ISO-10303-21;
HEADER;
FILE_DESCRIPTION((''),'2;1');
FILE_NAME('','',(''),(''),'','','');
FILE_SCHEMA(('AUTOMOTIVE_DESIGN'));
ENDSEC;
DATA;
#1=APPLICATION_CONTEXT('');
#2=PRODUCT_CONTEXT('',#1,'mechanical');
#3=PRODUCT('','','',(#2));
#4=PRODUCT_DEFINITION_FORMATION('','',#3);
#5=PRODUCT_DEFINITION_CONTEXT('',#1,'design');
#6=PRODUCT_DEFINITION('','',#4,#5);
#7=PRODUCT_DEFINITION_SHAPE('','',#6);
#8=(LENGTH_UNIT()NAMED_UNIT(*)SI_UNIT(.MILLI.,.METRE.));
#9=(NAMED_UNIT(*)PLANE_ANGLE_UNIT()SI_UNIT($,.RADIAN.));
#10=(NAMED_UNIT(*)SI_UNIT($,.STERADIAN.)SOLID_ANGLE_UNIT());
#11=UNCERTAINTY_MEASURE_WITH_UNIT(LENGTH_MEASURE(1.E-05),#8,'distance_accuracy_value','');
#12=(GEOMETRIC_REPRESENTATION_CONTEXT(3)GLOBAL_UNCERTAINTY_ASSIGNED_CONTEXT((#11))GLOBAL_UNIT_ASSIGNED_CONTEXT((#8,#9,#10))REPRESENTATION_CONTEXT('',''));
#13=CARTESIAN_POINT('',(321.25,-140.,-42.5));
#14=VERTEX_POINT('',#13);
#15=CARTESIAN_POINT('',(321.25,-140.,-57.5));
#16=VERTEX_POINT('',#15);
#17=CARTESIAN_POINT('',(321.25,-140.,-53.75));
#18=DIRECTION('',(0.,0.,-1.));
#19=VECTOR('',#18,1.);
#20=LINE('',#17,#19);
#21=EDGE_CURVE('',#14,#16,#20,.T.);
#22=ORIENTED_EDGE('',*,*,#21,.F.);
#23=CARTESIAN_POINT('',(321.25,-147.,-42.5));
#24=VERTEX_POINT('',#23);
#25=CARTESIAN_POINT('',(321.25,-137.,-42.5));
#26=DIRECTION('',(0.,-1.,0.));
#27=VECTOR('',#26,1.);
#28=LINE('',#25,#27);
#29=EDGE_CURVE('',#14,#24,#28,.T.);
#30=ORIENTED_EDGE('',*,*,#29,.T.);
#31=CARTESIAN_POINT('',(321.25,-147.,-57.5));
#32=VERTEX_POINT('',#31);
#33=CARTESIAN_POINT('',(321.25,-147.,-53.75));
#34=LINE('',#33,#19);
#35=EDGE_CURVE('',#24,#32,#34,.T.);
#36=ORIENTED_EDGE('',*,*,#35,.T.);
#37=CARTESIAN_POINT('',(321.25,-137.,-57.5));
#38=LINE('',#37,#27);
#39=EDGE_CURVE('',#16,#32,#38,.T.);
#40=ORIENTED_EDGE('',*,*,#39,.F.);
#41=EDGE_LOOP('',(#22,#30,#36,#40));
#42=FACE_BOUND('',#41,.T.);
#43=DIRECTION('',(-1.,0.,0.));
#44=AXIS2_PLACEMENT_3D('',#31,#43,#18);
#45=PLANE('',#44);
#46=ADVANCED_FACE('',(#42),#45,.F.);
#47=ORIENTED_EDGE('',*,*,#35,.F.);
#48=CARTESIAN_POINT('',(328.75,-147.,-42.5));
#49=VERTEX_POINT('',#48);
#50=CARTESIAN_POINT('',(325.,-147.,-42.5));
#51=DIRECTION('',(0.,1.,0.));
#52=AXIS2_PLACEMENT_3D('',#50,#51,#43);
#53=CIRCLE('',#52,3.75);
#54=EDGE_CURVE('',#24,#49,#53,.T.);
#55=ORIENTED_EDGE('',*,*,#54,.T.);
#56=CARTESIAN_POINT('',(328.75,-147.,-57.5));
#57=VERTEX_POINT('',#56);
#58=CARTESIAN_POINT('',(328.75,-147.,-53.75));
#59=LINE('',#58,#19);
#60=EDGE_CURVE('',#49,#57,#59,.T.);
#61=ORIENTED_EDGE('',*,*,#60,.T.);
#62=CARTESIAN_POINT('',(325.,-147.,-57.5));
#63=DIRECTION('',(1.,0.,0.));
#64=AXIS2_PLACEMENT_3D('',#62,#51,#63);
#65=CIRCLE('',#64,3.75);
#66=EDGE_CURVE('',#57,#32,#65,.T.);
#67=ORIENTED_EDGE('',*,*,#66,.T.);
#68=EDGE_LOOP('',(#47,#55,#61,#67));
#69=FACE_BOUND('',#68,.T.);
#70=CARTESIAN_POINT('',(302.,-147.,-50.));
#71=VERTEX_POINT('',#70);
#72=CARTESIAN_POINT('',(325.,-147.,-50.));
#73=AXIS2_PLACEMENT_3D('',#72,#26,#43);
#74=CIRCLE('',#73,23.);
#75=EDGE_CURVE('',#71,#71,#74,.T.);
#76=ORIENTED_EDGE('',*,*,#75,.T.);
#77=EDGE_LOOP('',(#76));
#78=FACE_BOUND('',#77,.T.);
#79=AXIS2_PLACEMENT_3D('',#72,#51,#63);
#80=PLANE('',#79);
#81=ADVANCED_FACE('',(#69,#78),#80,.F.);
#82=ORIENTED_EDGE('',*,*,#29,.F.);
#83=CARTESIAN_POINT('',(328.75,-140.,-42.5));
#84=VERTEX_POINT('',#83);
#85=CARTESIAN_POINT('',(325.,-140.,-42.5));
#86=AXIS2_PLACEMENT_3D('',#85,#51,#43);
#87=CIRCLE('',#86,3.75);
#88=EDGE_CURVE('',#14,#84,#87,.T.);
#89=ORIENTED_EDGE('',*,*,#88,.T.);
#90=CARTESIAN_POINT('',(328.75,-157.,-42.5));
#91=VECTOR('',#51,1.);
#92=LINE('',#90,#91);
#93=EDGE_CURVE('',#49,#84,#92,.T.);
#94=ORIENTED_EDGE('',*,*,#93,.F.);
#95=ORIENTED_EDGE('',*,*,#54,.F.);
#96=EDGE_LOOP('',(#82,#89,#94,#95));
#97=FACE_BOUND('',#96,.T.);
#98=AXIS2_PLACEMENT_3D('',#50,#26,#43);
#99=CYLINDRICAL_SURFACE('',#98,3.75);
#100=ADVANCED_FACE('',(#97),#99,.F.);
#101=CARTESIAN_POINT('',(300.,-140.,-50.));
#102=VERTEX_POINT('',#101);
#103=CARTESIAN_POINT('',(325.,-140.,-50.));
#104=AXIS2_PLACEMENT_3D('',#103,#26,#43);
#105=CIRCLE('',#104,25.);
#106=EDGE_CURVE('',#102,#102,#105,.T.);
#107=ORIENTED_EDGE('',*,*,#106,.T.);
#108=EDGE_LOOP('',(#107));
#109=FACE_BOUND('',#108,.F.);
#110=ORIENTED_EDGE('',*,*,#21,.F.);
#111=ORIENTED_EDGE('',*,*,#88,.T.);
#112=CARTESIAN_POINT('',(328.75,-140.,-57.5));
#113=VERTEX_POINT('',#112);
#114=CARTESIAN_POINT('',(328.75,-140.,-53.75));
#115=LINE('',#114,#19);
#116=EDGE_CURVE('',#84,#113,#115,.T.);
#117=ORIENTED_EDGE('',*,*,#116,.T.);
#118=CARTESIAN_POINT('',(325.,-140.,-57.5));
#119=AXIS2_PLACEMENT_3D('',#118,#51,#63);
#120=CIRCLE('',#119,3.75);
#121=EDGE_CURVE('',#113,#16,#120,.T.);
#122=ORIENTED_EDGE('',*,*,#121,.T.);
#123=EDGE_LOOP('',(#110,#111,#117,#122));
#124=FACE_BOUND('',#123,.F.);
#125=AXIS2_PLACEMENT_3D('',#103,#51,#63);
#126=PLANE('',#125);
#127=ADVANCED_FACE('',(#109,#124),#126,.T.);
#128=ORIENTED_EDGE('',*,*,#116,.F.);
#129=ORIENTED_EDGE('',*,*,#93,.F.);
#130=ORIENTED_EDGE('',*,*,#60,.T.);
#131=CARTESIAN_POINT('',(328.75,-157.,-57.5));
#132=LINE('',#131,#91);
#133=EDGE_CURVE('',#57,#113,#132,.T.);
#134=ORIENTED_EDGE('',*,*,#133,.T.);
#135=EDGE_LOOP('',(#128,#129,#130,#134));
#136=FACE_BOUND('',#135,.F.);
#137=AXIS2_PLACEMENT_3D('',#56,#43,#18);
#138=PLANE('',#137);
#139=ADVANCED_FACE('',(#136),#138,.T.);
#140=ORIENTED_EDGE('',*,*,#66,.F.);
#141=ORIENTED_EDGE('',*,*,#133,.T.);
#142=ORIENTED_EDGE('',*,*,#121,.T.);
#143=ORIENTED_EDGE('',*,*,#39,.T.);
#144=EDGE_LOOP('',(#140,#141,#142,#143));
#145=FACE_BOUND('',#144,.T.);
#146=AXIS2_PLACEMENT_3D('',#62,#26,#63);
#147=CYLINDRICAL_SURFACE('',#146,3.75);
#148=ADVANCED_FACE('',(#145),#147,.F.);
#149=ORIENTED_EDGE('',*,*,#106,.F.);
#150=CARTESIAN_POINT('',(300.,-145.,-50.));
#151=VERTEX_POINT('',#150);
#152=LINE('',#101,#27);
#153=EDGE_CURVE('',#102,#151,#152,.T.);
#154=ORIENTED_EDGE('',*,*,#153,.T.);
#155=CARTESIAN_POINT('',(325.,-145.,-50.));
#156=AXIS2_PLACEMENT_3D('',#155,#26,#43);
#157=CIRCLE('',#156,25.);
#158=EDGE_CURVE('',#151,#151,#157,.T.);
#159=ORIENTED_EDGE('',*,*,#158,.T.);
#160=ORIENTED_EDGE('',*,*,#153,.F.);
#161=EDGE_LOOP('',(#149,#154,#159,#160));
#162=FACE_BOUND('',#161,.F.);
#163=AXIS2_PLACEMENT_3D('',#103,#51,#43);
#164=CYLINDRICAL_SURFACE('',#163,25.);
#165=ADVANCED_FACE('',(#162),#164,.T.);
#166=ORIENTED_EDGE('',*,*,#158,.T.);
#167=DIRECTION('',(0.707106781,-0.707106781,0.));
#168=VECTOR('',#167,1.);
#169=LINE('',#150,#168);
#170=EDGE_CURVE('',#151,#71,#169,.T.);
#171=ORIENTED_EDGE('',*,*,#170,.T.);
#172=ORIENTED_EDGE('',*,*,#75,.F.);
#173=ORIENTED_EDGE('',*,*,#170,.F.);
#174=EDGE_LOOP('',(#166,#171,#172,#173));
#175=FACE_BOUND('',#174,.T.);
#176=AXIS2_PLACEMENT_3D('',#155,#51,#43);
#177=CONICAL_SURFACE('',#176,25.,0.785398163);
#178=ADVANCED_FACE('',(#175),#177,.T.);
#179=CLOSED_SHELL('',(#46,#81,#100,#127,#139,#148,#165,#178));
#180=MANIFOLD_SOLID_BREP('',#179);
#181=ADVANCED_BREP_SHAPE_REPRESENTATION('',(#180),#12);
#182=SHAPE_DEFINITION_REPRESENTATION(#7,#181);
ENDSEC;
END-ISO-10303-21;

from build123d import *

# Parameters (mm, degrees)
EXTRUDE020_DEPTH         = 10
CIRCLE002_R              = 25
EXTRUDE019_DEPTH         = 7
CHAMFER002_SIZE          = 2
CLONE049_PLACEMENT_ANGLE = 180


with BuildPart() as extrude020:
    # Sketch030 (on Face4 of Chamfer002) → Extrude020 (new body, symmetric)
    with BuildSketch(Plane(origin=(0, 7, 0), x_dir=(-1, 0, 0), z_dir=(0, 1, 0))):
        with BuildLine():
            ThreePointArc((3.75, 7.5), (0, 11.25), (-3.75, 7.5))
            Line((-3.75, 7.5), (-3.75, -7.5))
            ThreePointArc((-3.75, -7.5), (0, -11.25), (3.75, -7.5))
            Line((3.75, 7.5), (3.75, -7.5))
        make_face()
    extrude(amount=EXTRUDE020_DEPTH, both=True)


with BuildPart() as shutters_lock_right_external:
    # Circle002 → Extrude019 (new body)
    with BuildSketch(Plane.XZ):
        Circle(CIRCLE002_R)
    extrude(amount=-EXTRUDE019_DEPTH)

    # Chamfer002
    chamfer002_edges = [shutters_lock_right_external.edges().sort_by_distance(p)[0] for p in [
        (-25, 7, 0),
    ]]
    chamfer(chamfer002_edges, length=CHAMFER002_SIZE)

    # Cut004: cut Extrude020
    add(extrude020.part, mode=Mode.SUBTRACT)


with BuildPart() as shutters_lock_right_external_1:
    # Cut004 placement: moved
    add(shutters_lock_right_external.part.moved(Location((0, 0, -83.343755))))


with BuildPart() as shutters_lock_right_external_2:
    # Clone049 placement: moved
    add(shutters_lock_right_external_1.part.moved(Location((-325, -140, -133.343755))).rotate(Axis((-325, -140, -133.343755), (1, 0, 0)), CLONE049_PLACEMENT_ANGLE))


with BuildPart() as shutters_lock_left_external_mirrored:
    # Mirror180: instance of Shutters_lock_right_external_
    add(shutters_lock_right_external_2.part.mirror(Plane(origin=(0, 0, 0), x_dir=(0, -1, 0), z_dir=(1, 0, 0))))


solid = shutters_lock_left_external_mirrored.part
